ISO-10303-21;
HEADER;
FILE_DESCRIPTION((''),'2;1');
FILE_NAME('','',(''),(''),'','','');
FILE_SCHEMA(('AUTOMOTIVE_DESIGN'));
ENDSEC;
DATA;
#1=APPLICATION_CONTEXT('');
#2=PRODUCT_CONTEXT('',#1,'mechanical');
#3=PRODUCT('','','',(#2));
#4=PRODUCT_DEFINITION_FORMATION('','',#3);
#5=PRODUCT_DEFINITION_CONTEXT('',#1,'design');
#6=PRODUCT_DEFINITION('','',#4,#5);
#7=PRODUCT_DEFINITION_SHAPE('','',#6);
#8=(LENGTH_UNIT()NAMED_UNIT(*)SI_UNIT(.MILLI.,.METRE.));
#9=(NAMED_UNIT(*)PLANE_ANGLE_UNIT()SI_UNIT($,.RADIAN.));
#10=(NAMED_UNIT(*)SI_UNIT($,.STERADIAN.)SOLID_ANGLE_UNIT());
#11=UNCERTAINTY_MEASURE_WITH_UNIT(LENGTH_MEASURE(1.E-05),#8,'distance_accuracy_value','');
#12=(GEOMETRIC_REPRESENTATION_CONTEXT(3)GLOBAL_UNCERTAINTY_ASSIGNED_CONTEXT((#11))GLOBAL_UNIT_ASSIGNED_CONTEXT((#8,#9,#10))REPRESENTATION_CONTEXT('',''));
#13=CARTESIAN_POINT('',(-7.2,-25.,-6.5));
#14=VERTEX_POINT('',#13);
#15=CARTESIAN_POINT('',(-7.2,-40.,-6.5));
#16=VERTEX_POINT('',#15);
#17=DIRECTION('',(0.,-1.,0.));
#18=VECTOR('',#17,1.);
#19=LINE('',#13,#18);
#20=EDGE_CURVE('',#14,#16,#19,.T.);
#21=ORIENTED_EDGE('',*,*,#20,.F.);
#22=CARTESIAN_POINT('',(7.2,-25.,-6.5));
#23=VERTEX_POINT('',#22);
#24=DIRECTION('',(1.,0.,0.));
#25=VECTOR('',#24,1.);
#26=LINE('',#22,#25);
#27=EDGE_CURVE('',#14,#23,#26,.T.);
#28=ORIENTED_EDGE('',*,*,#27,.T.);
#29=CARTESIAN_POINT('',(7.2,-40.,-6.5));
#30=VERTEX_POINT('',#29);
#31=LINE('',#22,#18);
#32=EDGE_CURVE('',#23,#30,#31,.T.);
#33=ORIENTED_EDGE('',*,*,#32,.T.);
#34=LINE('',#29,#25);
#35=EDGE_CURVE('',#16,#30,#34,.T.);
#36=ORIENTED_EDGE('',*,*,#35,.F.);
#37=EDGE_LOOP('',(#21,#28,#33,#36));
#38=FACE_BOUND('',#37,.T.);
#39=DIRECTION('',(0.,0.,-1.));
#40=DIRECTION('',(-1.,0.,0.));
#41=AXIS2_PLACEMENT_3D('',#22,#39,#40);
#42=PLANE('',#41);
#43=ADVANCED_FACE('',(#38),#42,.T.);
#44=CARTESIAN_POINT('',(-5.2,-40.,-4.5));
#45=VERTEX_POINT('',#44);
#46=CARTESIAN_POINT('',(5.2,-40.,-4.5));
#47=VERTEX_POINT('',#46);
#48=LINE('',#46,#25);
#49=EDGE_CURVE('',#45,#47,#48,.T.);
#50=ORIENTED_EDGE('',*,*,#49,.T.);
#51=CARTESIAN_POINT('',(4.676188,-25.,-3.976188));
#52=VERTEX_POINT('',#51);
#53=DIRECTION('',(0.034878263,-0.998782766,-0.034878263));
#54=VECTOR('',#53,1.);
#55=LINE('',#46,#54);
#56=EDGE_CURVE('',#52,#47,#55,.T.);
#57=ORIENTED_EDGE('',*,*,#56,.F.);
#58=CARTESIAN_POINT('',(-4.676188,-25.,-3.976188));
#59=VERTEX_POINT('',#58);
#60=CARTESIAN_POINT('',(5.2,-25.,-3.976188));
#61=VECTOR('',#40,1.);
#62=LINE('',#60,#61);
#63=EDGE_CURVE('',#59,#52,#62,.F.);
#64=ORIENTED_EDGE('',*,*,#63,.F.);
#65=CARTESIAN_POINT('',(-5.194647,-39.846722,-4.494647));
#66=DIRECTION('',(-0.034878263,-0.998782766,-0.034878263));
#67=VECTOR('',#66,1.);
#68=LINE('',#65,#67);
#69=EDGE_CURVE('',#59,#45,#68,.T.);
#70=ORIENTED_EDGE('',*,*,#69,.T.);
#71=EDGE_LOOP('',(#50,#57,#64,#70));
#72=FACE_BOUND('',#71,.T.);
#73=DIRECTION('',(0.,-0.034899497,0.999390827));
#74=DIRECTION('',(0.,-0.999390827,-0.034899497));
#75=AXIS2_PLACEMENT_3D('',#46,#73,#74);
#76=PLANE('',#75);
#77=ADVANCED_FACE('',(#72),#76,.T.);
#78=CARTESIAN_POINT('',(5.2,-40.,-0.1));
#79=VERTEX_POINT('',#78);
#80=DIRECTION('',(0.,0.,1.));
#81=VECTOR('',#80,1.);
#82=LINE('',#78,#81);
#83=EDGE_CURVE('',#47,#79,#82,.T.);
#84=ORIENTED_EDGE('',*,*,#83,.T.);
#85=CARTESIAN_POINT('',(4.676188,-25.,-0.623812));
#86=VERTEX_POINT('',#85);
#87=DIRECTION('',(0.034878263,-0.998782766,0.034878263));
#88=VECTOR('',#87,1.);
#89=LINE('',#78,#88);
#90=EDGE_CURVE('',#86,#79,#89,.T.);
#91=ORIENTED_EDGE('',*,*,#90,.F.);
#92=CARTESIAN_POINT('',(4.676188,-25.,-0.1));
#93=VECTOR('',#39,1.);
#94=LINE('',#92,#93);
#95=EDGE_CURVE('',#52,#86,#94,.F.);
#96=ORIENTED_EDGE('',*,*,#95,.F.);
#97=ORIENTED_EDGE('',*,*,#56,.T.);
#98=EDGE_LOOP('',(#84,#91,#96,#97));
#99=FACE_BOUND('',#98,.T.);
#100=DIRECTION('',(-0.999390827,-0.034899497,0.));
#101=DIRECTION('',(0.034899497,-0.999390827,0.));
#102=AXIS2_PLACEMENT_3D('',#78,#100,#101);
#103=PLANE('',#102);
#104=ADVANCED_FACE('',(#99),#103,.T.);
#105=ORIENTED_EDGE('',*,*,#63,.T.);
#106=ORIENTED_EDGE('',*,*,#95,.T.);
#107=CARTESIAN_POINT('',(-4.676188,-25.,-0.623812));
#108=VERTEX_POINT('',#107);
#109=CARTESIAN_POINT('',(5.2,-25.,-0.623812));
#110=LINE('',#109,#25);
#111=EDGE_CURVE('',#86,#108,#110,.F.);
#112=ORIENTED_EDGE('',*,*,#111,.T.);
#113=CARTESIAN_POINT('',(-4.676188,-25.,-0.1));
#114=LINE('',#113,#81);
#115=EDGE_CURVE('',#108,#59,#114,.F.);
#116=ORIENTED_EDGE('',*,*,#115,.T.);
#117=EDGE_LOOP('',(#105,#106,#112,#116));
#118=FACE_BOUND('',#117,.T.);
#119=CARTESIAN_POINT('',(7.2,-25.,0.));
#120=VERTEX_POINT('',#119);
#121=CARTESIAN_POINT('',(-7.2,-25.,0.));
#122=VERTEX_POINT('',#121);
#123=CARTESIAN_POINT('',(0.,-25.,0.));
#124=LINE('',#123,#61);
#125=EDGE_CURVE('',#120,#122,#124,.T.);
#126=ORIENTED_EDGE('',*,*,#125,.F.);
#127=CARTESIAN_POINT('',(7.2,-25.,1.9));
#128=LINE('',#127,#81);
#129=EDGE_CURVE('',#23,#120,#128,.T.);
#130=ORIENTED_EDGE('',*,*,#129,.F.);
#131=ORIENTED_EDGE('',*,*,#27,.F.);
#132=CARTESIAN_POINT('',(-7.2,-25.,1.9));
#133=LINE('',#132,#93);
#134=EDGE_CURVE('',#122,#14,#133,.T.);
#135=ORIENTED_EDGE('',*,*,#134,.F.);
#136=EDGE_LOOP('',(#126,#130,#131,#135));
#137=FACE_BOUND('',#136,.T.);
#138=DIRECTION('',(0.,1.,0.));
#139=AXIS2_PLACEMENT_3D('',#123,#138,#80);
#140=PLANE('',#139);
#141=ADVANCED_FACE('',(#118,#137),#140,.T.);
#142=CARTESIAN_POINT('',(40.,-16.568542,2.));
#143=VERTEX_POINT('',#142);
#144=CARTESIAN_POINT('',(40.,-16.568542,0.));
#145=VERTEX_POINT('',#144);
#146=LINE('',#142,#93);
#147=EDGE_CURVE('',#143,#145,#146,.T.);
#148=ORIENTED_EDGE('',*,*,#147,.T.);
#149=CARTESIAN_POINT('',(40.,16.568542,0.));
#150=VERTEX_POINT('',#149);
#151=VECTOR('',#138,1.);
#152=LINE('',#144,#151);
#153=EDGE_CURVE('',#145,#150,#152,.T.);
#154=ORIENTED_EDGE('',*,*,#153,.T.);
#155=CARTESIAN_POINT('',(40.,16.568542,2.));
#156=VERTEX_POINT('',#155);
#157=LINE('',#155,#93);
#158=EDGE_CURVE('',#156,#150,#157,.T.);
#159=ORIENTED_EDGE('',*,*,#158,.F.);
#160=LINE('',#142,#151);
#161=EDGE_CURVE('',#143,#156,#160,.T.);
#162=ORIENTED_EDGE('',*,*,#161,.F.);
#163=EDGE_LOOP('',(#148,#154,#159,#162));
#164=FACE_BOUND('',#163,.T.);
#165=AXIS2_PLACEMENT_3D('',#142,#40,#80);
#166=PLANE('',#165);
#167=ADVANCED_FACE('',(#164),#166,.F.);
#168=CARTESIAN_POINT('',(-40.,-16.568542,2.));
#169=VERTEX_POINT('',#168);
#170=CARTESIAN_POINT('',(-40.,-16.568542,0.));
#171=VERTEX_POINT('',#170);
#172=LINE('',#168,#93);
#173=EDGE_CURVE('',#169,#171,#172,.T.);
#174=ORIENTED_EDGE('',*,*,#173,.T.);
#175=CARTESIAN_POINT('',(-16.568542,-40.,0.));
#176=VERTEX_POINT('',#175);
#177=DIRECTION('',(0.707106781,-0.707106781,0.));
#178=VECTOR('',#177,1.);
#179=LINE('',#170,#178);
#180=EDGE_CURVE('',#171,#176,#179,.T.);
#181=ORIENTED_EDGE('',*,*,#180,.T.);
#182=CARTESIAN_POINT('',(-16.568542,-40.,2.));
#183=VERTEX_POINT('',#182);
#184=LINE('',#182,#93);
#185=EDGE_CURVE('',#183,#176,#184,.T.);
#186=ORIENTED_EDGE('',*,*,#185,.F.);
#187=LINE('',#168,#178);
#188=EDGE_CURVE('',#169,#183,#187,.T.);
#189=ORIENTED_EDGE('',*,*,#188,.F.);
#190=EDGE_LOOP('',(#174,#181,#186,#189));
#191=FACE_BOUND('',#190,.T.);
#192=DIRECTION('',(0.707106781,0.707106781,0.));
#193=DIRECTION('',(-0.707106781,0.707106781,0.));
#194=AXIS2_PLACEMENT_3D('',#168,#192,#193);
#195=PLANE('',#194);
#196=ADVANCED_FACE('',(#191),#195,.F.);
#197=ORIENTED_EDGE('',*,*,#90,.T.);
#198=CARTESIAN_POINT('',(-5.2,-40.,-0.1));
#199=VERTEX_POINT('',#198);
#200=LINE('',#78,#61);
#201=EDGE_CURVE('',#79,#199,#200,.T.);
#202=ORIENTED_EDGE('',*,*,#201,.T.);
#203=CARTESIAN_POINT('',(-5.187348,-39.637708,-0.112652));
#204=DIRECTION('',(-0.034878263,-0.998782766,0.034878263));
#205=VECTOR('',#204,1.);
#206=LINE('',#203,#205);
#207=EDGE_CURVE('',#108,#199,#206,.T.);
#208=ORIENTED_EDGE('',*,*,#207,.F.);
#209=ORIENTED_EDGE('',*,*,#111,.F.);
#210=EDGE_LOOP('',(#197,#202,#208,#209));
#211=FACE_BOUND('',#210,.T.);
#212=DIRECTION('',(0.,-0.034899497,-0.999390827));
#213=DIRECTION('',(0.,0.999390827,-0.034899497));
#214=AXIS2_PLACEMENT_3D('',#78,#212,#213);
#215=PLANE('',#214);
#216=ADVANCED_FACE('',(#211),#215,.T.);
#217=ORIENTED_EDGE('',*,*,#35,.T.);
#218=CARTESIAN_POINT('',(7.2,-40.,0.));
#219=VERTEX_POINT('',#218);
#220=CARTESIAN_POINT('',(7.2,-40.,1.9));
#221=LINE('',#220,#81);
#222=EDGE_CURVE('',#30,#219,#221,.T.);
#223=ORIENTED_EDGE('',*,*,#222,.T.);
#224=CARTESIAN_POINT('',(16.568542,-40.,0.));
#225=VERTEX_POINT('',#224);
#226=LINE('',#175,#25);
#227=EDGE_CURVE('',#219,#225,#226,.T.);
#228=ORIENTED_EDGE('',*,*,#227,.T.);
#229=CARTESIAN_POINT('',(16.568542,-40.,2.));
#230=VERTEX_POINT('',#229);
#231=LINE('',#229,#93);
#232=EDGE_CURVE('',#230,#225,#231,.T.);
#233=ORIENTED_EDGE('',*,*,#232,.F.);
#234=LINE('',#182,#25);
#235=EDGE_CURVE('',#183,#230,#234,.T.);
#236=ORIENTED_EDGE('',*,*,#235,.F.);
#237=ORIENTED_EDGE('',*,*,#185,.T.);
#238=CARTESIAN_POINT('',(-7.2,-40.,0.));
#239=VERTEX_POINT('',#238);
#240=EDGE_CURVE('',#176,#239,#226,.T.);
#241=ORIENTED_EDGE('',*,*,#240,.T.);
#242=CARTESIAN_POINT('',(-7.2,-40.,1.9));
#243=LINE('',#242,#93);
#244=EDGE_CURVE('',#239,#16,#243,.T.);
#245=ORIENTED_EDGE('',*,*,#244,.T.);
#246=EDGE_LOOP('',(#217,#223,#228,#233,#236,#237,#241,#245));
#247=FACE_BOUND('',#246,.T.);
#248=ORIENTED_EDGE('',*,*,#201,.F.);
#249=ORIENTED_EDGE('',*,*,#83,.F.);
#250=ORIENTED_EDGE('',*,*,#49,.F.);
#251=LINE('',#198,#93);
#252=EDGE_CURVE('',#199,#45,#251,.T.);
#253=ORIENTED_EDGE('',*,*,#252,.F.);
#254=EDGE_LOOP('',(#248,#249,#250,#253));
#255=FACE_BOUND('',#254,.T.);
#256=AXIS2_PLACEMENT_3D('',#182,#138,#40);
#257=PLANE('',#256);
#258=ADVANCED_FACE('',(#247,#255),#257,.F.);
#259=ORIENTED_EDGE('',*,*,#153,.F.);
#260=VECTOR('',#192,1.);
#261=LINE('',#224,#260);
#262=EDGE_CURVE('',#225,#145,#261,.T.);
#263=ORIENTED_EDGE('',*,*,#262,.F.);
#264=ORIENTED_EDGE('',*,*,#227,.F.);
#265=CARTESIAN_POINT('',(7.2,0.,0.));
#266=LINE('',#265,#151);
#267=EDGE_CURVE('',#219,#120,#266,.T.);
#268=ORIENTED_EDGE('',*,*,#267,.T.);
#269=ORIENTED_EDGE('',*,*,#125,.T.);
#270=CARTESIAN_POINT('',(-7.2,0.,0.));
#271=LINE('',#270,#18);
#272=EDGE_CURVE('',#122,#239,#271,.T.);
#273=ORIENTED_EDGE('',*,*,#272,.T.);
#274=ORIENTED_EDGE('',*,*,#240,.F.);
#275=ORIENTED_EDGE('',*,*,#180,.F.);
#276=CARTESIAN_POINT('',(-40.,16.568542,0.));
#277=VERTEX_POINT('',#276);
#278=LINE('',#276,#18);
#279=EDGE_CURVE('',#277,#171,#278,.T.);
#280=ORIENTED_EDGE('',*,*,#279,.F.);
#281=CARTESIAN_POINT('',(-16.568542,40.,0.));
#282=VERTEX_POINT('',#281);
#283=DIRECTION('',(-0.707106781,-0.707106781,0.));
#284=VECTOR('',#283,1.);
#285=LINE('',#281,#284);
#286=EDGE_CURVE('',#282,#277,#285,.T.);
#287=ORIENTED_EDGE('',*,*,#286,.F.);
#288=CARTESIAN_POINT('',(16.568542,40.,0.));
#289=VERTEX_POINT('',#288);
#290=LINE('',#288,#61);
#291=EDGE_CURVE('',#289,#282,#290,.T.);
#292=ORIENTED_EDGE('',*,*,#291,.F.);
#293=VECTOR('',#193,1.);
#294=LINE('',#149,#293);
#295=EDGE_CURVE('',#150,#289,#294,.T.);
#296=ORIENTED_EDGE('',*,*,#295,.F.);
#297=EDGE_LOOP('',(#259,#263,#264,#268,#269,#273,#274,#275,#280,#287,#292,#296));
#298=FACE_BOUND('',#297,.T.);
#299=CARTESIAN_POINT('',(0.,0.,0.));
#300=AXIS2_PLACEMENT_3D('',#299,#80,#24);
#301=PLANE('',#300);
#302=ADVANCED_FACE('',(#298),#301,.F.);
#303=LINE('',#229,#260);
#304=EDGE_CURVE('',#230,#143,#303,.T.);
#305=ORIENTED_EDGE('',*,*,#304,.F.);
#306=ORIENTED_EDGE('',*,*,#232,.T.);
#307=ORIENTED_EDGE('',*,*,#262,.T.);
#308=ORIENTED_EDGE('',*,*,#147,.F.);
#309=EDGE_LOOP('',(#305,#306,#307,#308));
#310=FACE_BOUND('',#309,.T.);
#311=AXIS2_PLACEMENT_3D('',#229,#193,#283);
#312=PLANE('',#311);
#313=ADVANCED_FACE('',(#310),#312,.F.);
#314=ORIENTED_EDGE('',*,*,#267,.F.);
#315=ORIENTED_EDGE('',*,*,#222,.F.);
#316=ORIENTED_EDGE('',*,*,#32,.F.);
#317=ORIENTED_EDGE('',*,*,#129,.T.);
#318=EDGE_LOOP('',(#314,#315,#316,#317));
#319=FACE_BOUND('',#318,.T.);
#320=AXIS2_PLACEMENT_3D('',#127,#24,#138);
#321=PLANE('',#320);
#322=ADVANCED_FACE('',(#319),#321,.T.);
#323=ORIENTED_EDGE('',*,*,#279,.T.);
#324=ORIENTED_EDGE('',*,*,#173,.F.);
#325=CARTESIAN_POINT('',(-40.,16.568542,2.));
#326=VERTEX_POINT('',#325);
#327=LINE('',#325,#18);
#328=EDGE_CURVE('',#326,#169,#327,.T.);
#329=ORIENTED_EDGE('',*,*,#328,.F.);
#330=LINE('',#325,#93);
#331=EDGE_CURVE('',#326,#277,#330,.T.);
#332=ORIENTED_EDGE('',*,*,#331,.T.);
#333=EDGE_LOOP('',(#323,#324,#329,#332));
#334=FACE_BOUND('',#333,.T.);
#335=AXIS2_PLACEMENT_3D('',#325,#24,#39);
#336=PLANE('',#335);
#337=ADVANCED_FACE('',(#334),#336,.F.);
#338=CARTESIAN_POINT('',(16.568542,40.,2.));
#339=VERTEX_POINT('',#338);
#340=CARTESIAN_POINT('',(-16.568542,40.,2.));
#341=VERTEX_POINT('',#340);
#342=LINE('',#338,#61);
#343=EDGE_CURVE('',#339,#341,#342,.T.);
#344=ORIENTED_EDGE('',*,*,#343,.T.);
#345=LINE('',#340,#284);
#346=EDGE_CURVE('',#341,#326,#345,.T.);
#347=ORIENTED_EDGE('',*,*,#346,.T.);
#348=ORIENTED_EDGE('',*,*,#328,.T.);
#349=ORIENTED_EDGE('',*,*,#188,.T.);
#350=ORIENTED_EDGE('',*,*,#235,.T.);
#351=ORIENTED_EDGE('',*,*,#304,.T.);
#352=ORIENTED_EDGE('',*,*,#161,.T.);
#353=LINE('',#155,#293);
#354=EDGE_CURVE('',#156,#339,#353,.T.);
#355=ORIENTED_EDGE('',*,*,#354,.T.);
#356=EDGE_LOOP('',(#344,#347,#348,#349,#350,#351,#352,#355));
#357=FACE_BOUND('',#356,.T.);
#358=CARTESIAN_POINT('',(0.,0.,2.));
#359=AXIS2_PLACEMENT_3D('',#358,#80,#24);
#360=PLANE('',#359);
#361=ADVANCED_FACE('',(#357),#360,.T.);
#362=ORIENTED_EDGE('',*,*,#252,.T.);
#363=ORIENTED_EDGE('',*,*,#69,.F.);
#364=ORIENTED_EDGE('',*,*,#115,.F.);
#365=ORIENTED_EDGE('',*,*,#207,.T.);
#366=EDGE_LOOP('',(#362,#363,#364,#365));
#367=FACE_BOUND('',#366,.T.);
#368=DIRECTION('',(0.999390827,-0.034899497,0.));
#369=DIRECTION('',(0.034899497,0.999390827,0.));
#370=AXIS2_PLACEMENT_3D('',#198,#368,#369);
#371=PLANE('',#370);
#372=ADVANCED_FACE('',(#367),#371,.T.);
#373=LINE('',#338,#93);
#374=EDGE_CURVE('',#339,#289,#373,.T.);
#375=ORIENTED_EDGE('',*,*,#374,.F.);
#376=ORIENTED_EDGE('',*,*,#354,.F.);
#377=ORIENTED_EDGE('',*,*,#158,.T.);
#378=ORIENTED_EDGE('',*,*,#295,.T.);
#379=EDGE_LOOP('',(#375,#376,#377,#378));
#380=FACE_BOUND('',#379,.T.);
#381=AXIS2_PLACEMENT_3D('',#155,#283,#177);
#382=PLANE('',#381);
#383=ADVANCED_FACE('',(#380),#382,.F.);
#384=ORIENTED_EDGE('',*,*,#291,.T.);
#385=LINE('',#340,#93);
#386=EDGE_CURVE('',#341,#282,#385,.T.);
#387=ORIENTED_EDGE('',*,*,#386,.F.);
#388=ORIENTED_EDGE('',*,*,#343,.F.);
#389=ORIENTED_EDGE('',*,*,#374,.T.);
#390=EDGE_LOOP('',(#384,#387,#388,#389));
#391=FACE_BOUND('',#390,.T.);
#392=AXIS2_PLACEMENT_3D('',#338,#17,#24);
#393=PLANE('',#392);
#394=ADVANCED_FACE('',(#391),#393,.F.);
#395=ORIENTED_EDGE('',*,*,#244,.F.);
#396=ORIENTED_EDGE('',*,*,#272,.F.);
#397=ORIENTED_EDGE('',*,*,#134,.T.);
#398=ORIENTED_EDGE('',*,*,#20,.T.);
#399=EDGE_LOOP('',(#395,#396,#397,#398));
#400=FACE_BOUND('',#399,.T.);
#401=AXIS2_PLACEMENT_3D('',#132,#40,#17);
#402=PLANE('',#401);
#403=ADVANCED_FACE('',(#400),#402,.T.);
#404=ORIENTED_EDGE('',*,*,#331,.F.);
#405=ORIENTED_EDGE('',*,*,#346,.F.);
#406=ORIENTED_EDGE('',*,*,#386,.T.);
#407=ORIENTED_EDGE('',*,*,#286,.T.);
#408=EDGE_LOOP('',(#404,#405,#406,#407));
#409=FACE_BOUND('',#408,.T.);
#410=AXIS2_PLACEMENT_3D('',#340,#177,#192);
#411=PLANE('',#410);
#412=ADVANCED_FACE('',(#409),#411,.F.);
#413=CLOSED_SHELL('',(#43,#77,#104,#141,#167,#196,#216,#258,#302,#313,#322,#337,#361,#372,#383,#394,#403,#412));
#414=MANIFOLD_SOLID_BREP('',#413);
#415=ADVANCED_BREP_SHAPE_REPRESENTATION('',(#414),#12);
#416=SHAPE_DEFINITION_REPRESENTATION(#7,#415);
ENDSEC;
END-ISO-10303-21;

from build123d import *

# Parameters (mm, degrees)
BOSS_EXTRU_1_DEPTH = 2
ESQUISSE3_W        = 14.4
ESQUISSE3_H        = 8.4
ESQUISSE3_W_2      = 10.4
ESQUISSE3_H_2      = 4.4
BOSS_EXTRU_3_DEPTH = 15
D_POUILLE3_ANGLE   = 2


with BuildPart() as part:
    # Esquisse1 → Boss.-Extru.1 (new body)
    with BuildSketch(Plane.XY):
        Polygon((16.568542495, -40), (40, -16.568542495), (40, 16.568542495), (16.568542495, 40), (-16.568542495, 40), (-40, 16.568542495), (-40, -16.568542495), (-16.568542495, -40), align=None)
    extrude(amount=BOSS_EXTRU_1_DEPTH)

    # Esquisse3 → Boss.-Extru.3 (add)
    with BuildSketch(Plane.XZ.offset(40)):
        with Locations((0, -2.3)):
            Rectangle(ESQUISSE3_W, ESQUISSE3_H)
        with Locations((0, -2.3)):
            Rectangle(ESQUISSE3_W_2, ESQUISSE3_H_2, mode=Mode.SUBTRACT)
    extrude(amount=-BOSS_EXTRU_3_DEPTH)

    # Dépouille3
    d_pouille3_faces = [part.faces().sort_by_distance(p)[0] for p in [
        (0, -32.5, -0.1),
        (-5.2, -32.5, -2.3),
        (0, -32.5, -4.5),
        (5.2, -32.5, -2.3),
    ]]
    draft(d_pouille3_faces, Plane(origin=(-16.568542495, -40, 2), x_dir=(-1, 0, 0), z_dir=(0, -1, 0)), D_POUILLE3_ANGLE)


solid = part.part
